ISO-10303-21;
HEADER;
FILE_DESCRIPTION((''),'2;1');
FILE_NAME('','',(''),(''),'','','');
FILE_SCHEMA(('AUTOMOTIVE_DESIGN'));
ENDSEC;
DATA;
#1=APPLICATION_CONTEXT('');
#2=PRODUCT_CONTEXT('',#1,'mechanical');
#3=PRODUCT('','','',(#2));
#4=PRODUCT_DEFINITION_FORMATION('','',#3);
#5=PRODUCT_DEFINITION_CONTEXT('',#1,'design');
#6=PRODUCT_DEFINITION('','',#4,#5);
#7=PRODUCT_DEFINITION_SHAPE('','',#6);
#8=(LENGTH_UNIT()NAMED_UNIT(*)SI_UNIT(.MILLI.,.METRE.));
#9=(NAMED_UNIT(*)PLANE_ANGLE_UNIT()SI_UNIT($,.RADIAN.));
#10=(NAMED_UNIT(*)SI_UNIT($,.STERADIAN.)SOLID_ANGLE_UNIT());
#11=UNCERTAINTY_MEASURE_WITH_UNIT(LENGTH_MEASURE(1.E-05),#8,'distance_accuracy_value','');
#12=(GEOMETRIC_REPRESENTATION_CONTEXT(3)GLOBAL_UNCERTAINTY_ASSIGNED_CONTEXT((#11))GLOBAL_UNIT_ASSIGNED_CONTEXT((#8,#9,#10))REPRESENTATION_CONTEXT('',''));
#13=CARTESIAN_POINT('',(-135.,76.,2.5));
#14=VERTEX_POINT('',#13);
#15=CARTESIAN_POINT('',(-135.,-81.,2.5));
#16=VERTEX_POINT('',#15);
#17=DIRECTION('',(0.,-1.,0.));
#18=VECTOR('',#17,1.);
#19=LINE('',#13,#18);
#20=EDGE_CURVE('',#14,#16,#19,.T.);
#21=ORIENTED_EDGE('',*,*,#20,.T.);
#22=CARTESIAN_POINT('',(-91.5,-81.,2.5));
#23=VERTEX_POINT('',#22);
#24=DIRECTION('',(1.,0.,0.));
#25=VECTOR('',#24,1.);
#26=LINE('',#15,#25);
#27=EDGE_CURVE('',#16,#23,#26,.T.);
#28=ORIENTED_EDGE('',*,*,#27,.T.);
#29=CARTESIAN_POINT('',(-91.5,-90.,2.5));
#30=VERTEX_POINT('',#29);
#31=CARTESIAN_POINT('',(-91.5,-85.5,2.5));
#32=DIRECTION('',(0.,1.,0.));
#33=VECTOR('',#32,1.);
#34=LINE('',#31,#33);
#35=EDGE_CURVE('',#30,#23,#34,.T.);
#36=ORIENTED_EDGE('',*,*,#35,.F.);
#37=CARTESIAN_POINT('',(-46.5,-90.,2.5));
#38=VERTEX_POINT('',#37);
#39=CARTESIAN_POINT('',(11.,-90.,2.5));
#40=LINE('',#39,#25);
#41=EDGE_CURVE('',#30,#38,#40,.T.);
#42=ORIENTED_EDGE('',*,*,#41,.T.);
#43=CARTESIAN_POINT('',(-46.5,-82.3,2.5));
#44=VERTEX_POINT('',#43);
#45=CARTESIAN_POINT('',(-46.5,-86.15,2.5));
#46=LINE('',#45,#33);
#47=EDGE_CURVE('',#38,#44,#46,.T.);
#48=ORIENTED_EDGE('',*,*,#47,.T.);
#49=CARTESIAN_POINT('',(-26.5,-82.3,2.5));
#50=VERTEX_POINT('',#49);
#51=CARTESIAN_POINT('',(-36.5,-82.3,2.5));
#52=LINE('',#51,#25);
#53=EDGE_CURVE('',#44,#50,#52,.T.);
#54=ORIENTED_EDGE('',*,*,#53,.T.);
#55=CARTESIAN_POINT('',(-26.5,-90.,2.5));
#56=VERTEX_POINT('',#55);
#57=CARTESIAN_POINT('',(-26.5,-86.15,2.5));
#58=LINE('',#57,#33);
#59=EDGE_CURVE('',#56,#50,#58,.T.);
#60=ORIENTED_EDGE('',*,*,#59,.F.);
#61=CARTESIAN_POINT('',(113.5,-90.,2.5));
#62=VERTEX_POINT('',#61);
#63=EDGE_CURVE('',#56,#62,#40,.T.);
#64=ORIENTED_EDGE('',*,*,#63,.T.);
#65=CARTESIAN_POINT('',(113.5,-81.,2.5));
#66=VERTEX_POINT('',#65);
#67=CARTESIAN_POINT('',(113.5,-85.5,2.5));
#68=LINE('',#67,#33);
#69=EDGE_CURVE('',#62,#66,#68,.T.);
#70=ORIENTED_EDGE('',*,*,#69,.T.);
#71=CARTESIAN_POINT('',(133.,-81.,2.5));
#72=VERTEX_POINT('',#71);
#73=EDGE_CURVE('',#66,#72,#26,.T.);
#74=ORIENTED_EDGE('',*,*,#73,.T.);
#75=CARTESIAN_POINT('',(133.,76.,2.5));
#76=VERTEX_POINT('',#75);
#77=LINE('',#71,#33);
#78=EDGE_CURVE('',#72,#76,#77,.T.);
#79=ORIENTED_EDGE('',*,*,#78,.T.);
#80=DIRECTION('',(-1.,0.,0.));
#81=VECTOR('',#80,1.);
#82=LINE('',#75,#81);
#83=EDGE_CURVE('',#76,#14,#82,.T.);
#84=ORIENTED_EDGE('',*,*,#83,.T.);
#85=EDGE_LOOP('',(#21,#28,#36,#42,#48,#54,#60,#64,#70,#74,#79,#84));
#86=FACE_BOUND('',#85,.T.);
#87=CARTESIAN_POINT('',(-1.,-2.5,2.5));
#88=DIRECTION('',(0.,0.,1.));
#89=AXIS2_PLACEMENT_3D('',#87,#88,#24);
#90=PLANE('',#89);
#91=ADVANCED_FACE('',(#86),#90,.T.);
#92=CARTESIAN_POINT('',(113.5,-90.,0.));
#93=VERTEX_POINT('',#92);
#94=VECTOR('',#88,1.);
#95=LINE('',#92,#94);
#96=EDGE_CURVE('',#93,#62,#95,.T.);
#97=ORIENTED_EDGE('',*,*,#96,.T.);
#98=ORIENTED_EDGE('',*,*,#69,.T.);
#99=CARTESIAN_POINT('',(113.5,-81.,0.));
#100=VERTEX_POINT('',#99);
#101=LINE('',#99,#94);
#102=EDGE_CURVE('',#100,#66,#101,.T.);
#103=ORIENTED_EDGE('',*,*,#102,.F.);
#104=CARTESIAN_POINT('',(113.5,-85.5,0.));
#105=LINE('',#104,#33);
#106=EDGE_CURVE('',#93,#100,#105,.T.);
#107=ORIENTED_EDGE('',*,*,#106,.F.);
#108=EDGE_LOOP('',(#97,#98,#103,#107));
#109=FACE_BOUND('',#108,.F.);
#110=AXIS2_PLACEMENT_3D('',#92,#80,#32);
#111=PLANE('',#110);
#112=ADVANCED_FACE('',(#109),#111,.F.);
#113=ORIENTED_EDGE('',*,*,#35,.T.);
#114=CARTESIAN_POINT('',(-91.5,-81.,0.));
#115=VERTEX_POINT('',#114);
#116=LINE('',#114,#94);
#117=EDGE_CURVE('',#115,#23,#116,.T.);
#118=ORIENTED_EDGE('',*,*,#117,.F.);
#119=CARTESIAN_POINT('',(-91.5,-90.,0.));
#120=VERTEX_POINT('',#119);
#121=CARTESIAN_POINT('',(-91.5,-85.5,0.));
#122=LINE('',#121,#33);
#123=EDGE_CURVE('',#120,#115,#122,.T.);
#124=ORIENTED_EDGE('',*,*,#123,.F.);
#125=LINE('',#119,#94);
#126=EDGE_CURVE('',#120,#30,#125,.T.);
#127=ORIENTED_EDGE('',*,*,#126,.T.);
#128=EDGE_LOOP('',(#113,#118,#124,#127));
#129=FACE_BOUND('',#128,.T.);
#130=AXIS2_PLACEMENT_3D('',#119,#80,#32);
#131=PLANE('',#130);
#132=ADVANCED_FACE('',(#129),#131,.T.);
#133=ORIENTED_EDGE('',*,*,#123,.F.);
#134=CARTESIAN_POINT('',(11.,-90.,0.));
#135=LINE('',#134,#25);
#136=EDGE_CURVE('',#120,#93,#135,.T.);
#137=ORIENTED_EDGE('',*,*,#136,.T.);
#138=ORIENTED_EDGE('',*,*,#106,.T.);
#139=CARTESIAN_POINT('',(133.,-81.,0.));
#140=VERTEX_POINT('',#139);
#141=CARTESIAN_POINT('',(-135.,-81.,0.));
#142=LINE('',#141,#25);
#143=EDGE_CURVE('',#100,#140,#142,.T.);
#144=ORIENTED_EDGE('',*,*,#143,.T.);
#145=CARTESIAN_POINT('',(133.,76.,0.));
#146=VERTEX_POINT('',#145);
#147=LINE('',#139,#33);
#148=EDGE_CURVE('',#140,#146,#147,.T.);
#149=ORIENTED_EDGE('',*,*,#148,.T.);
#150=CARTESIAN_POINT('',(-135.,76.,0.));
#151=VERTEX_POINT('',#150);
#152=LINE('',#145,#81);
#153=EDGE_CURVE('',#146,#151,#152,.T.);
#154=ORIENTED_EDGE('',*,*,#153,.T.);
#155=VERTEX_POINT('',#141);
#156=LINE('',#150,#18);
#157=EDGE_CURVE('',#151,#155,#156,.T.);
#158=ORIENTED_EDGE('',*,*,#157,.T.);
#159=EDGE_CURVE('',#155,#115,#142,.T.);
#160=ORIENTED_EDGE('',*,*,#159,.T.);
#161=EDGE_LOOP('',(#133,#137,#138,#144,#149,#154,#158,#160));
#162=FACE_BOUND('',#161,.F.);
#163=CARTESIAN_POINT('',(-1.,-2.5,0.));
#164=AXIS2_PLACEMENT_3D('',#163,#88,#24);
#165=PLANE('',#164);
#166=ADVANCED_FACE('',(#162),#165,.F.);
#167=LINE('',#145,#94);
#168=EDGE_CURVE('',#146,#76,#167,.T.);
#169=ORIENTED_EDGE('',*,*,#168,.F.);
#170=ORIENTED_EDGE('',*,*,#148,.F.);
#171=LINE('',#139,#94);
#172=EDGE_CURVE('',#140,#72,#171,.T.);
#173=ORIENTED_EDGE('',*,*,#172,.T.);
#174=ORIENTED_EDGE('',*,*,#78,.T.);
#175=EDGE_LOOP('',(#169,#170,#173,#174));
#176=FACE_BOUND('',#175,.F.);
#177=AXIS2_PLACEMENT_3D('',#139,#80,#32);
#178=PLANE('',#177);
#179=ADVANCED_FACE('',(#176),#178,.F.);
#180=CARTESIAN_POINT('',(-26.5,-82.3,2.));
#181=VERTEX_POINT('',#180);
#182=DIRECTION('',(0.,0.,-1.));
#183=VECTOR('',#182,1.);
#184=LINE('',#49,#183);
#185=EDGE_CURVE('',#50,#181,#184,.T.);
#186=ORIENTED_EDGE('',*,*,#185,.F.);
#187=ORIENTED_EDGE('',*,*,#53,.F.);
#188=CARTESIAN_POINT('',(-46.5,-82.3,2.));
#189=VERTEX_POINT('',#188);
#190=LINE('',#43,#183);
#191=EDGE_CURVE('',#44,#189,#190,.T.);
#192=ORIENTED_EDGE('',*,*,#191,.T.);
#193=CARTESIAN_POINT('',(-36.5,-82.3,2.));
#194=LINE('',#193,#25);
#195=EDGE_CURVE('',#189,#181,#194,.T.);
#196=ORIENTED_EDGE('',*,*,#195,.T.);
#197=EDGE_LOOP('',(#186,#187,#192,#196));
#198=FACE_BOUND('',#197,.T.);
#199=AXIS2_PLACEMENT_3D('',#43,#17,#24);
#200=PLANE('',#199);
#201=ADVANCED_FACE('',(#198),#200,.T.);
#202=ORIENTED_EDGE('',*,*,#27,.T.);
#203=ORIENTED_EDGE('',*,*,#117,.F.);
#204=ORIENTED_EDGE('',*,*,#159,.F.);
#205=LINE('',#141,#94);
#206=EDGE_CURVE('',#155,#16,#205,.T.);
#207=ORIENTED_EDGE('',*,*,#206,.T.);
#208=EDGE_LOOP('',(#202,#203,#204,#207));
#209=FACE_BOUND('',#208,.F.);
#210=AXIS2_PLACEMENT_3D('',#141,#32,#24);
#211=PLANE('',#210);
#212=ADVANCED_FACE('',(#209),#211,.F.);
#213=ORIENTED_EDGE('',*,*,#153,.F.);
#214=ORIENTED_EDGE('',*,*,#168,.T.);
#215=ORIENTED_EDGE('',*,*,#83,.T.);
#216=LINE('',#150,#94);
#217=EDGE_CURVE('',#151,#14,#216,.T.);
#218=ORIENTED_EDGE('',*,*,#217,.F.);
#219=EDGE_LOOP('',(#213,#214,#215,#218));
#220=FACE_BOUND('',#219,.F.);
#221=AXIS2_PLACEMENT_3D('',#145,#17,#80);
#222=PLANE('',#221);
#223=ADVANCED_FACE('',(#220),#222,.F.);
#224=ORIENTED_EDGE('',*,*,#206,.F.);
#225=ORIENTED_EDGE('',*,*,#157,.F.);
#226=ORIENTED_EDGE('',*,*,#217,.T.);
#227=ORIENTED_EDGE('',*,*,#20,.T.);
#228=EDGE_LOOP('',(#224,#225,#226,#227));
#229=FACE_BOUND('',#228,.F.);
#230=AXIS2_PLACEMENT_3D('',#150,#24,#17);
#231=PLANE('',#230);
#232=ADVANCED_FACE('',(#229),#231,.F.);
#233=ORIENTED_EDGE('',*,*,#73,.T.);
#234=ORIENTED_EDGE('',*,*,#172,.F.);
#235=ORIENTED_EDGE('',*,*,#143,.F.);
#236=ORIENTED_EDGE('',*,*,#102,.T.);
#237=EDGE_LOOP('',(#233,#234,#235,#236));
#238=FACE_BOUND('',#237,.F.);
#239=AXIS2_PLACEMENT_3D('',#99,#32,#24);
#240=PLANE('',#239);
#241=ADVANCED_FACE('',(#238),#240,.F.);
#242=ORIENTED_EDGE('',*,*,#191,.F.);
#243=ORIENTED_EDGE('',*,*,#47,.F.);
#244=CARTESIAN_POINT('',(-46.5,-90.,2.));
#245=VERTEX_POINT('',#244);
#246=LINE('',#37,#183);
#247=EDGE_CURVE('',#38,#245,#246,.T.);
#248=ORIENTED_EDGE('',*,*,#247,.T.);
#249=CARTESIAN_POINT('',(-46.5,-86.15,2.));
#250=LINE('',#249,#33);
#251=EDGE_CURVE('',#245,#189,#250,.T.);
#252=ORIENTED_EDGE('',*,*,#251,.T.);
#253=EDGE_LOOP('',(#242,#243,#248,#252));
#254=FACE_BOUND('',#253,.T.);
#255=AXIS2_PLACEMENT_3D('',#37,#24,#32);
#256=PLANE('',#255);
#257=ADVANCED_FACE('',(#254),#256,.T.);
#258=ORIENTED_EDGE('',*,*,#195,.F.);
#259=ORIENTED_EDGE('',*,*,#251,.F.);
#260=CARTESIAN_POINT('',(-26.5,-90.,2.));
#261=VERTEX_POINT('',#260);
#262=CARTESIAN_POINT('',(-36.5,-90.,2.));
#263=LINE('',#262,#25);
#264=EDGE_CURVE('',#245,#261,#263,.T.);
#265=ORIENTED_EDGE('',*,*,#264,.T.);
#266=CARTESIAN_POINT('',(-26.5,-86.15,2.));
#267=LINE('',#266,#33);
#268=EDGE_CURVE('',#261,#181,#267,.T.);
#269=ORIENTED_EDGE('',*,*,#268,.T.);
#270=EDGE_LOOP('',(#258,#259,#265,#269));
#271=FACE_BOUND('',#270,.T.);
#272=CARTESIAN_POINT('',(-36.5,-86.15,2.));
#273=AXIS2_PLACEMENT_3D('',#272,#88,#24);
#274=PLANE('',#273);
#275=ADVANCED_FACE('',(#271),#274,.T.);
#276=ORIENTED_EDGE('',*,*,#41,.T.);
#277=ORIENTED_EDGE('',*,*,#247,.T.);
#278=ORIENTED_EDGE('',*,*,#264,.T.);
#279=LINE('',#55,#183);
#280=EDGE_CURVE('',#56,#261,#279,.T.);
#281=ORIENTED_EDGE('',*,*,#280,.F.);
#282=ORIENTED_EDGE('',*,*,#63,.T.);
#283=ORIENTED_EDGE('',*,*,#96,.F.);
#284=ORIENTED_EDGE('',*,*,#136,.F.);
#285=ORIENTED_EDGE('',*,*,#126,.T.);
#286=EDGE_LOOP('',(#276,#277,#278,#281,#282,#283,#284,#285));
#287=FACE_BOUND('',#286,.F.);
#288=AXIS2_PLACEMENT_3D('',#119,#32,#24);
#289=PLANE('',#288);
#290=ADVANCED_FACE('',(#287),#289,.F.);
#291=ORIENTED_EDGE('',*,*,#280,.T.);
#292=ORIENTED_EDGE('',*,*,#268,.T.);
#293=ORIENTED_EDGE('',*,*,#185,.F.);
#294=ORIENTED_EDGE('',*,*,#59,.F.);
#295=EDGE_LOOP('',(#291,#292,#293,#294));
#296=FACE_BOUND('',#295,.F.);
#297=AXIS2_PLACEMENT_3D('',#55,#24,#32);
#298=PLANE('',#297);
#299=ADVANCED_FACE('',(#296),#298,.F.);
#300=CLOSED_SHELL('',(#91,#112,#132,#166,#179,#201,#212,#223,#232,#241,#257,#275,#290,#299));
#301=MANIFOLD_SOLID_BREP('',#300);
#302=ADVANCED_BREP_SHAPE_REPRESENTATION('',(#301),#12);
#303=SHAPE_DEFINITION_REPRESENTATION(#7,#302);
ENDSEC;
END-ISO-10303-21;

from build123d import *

# Parameters (mm, degrees)
F0_W     = 257
F0_H     = 145
F0_W_2   = 205
F0_H_2   = 9
F1_DEPTH = 2.5
F2_W     = 20
F2_H     = 7.7
F3_DEPTH = 0.5


with BuildPart() as f1:
    # F0 (on Top) → F1 (new body)
    with BuildSketch(Plane.XY):
        Polygon((133, 76), (-135, 76), (-135, -81), (-91.5, -81), (113.5, -81), (133, -81), align=None)
        Rectangle(F0_W, F0_H, mode=Mode.SUBTRACT)
        Rectangle(F0_W, F0_H)
        with Locations((11, -85.5)):
            Rectangle(F0_W_2, F0_H_2)
    extrude(amount=F1_DEPTH)

    # F2 (on face) → F3 (cut)
    with BuildSketch(Plane.XY.offset(2.5)):
        with Locations((-36.5, -86.15)):
            Rectangle(F2_W, F2_H)
    extrude(amount=-F3_DEPTH, mode=Mode.SUBTRACT)


solid = f1.part
